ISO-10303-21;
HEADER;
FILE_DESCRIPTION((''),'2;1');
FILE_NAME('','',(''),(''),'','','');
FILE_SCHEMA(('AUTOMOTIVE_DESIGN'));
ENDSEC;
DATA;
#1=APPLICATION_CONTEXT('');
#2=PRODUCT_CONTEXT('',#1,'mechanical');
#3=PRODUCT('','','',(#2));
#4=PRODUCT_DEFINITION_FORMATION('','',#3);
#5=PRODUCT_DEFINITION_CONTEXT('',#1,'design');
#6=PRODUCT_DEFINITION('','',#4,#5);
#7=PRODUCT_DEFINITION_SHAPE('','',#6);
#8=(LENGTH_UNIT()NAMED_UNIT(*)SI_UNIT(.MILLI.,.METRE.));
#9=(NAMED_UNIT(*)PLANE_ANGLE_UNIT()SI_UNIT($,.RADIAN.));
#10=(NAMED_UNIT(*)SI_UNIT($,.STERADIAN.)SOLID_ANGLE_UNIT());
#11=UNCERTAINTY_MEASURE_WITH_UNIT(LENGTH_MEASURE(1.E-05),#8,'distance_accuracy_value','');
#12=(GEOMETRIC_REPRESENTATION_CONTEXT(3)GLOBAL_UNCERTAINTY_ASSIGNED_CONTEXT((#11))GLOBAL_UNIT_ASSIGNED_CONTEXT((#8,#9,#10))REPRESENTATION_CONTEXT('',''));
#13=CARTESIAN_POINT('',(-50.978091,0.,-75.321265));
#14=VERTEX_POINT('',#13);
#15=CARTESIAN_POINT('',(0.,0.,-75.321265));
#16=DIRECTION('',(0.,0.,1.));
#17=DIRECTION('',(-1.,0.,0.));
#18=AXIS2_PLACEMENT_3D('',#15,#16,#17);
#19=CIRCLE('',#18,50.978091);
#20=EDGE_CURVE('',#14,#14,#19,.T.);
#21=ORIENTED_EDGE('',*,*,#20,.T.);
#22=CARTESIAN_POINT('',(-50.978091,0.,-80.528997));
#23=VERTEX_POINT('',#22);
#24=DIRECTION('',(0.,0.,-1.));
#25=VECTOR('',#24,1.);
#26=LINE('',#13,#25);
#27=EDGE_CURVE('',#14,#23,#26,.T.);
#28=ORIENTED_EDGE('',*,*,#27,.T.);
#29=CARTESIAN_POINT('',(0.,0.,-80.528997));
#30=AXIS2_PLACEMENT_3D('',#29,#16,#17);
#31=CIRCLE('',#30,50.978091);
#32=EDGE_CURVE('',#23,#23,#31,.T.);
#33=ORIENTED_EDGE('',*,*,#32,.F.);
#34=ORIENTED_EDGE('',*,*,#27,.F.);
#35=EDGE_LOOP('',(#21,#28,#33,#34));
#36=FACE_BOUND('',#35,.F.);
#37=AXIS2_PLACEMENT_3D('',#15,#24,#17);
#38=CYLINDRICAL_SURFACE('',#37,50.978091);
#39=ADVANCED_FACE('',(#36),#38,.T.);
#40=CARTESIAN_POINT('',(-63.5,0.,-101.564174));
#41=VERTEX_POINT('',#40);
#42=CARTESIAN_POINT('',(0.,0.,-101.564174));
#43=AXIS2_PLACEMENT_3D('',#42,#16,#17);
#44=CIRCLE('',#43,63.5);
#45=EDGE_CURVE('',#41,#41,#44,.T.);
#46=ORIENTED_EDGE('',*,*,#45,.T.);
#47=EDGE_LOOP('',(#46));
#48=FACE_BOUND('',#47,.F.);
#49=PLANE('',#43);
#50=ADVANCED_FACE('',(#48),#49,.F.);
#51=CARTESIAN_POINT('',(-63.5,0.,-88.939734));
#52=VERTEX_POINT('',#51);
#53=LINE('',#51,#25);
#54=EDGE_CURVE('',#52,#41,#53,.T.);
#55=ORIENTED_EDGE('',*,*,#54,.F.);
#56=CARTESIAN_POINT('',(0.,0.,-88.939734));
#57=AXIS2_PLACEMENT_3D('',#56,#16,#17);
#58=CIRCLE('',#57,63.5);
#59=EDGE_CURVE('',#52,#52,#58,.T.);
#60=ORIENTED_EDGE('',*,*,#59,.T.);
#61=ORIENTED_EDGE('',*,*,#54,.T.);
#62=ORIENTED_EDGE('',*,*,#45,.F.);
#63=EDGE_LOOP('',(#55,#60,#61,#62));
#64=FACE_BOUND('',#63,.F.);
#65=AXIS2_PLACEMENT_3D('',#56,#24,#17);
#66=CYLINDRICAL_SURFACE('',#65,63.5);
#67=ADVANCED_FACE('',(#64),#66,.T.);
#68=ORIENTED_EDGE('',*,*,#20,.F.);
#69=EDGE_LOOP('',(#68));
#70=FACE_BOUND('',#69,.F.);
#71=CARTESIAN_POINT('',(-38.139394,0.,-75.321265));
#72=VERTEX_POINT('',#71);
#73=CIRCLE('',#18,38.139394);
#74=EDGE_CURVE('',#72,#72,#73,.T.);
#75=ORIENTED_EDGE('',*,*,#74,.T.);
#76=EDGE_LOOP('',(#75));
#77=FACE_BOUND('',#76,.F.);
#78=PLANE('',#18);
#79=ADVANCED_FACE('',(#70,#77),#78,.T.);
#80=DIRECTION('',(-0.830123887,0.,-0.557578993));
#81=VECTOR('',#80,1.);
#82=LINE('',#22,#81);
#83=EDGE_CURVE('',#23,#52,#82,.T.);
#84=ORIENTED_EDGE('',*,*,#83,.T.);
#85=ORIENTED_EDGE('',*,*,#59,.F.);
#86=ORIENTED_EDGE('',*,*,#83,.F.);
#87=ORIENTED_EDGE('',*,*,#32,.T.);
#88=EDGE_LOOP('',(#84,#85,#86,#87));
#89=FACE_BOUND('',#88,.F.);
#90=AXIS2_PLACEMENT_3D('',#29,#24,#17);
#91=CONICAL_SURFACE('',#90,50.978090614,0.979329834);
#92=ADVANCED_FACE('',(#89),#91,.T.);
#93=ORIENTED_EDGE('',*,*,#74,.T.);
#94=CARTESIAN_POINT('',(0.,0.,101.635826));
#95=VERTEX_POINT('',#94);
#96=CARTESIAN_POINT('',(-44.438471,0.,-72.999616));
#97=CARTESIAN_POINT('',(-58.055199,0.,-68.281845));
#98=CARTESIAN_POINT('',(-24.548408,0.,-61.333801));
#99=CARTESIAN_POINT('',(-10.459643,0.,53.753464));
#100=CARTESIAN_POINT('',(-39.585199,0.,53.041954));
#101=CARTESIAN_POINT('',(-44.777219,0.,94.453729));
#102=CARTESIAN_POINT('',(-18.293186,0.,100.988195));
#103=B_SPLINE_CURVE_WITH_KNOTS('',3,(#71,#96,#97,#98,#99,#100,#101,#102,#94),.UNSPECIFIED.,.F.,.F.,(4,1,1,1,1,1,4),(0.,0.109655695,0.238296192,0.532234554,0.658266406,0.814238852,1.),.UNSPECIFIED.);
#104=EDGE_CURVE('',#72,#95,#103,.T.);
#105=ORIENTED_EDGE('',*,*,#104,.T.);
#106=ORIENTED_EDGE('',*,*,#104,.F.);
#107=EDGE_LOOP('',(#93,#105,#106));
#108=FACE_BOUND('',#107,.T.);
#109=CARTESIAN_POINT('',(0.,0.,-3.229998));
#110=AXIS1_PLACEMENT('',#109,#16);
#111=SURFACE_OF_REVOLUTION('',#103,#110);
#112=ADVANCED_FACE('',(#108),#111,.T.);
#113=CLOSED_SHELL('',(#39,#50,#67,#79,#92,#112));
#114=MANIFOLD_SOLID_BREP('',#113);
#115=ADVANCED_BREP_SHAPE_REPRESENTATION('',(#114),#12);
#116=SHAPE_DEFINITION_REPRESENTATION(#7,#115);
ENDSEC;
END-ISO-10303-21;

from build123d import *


with BuildPart() as f1:
    # F0 (on Front) → F1 (revolve)
    with BuildSketch(Plane.XZ):
        with BuildLine():
            Line((-63.5, -101.5641741939), (0, -101.5641741939))
            Line((0, -101.5641741939), (0, 101.6358258061))
            add(Edge.make_bspline(
                [(-38.1393936889, -75.3212645162), (-44.4384714629, -72.9996156857), (-58.0551989156, -68.28184516), (-24.5484081328, -61.3338010836), (-10.4596426082, 53.7534640266), (-39.5851991099, 53.0419539424), (-44.7772190867, 94.4537292927), (-18.293186073, 100.988194798), (0, 101.6358258061)],
                knots=[0, 0, 0, 0, 0.1096556949, 0.2382961919, 0.5322345539, 0.6582664063, 0.814238852, 1, 1, 1, 1], degree=3))
            Line((-38.1393936889, -75.3212645162), (-50.9780906141, -75.3212645162))
            Line((-50.9780906141, -75.3212645162), (-50.9780906141, -80.5289968848))
            Line((-50.9780906141, -80.5289968848), (-63.5, -88.9397338033))
            Line((-63.5, -88.9397338033), (-63.5, -101.5641741939))
        make_face()
    revolve(axis=Axis((0, 0, -3.2299980521), (0, 0, 1)))


solid = f1.part
